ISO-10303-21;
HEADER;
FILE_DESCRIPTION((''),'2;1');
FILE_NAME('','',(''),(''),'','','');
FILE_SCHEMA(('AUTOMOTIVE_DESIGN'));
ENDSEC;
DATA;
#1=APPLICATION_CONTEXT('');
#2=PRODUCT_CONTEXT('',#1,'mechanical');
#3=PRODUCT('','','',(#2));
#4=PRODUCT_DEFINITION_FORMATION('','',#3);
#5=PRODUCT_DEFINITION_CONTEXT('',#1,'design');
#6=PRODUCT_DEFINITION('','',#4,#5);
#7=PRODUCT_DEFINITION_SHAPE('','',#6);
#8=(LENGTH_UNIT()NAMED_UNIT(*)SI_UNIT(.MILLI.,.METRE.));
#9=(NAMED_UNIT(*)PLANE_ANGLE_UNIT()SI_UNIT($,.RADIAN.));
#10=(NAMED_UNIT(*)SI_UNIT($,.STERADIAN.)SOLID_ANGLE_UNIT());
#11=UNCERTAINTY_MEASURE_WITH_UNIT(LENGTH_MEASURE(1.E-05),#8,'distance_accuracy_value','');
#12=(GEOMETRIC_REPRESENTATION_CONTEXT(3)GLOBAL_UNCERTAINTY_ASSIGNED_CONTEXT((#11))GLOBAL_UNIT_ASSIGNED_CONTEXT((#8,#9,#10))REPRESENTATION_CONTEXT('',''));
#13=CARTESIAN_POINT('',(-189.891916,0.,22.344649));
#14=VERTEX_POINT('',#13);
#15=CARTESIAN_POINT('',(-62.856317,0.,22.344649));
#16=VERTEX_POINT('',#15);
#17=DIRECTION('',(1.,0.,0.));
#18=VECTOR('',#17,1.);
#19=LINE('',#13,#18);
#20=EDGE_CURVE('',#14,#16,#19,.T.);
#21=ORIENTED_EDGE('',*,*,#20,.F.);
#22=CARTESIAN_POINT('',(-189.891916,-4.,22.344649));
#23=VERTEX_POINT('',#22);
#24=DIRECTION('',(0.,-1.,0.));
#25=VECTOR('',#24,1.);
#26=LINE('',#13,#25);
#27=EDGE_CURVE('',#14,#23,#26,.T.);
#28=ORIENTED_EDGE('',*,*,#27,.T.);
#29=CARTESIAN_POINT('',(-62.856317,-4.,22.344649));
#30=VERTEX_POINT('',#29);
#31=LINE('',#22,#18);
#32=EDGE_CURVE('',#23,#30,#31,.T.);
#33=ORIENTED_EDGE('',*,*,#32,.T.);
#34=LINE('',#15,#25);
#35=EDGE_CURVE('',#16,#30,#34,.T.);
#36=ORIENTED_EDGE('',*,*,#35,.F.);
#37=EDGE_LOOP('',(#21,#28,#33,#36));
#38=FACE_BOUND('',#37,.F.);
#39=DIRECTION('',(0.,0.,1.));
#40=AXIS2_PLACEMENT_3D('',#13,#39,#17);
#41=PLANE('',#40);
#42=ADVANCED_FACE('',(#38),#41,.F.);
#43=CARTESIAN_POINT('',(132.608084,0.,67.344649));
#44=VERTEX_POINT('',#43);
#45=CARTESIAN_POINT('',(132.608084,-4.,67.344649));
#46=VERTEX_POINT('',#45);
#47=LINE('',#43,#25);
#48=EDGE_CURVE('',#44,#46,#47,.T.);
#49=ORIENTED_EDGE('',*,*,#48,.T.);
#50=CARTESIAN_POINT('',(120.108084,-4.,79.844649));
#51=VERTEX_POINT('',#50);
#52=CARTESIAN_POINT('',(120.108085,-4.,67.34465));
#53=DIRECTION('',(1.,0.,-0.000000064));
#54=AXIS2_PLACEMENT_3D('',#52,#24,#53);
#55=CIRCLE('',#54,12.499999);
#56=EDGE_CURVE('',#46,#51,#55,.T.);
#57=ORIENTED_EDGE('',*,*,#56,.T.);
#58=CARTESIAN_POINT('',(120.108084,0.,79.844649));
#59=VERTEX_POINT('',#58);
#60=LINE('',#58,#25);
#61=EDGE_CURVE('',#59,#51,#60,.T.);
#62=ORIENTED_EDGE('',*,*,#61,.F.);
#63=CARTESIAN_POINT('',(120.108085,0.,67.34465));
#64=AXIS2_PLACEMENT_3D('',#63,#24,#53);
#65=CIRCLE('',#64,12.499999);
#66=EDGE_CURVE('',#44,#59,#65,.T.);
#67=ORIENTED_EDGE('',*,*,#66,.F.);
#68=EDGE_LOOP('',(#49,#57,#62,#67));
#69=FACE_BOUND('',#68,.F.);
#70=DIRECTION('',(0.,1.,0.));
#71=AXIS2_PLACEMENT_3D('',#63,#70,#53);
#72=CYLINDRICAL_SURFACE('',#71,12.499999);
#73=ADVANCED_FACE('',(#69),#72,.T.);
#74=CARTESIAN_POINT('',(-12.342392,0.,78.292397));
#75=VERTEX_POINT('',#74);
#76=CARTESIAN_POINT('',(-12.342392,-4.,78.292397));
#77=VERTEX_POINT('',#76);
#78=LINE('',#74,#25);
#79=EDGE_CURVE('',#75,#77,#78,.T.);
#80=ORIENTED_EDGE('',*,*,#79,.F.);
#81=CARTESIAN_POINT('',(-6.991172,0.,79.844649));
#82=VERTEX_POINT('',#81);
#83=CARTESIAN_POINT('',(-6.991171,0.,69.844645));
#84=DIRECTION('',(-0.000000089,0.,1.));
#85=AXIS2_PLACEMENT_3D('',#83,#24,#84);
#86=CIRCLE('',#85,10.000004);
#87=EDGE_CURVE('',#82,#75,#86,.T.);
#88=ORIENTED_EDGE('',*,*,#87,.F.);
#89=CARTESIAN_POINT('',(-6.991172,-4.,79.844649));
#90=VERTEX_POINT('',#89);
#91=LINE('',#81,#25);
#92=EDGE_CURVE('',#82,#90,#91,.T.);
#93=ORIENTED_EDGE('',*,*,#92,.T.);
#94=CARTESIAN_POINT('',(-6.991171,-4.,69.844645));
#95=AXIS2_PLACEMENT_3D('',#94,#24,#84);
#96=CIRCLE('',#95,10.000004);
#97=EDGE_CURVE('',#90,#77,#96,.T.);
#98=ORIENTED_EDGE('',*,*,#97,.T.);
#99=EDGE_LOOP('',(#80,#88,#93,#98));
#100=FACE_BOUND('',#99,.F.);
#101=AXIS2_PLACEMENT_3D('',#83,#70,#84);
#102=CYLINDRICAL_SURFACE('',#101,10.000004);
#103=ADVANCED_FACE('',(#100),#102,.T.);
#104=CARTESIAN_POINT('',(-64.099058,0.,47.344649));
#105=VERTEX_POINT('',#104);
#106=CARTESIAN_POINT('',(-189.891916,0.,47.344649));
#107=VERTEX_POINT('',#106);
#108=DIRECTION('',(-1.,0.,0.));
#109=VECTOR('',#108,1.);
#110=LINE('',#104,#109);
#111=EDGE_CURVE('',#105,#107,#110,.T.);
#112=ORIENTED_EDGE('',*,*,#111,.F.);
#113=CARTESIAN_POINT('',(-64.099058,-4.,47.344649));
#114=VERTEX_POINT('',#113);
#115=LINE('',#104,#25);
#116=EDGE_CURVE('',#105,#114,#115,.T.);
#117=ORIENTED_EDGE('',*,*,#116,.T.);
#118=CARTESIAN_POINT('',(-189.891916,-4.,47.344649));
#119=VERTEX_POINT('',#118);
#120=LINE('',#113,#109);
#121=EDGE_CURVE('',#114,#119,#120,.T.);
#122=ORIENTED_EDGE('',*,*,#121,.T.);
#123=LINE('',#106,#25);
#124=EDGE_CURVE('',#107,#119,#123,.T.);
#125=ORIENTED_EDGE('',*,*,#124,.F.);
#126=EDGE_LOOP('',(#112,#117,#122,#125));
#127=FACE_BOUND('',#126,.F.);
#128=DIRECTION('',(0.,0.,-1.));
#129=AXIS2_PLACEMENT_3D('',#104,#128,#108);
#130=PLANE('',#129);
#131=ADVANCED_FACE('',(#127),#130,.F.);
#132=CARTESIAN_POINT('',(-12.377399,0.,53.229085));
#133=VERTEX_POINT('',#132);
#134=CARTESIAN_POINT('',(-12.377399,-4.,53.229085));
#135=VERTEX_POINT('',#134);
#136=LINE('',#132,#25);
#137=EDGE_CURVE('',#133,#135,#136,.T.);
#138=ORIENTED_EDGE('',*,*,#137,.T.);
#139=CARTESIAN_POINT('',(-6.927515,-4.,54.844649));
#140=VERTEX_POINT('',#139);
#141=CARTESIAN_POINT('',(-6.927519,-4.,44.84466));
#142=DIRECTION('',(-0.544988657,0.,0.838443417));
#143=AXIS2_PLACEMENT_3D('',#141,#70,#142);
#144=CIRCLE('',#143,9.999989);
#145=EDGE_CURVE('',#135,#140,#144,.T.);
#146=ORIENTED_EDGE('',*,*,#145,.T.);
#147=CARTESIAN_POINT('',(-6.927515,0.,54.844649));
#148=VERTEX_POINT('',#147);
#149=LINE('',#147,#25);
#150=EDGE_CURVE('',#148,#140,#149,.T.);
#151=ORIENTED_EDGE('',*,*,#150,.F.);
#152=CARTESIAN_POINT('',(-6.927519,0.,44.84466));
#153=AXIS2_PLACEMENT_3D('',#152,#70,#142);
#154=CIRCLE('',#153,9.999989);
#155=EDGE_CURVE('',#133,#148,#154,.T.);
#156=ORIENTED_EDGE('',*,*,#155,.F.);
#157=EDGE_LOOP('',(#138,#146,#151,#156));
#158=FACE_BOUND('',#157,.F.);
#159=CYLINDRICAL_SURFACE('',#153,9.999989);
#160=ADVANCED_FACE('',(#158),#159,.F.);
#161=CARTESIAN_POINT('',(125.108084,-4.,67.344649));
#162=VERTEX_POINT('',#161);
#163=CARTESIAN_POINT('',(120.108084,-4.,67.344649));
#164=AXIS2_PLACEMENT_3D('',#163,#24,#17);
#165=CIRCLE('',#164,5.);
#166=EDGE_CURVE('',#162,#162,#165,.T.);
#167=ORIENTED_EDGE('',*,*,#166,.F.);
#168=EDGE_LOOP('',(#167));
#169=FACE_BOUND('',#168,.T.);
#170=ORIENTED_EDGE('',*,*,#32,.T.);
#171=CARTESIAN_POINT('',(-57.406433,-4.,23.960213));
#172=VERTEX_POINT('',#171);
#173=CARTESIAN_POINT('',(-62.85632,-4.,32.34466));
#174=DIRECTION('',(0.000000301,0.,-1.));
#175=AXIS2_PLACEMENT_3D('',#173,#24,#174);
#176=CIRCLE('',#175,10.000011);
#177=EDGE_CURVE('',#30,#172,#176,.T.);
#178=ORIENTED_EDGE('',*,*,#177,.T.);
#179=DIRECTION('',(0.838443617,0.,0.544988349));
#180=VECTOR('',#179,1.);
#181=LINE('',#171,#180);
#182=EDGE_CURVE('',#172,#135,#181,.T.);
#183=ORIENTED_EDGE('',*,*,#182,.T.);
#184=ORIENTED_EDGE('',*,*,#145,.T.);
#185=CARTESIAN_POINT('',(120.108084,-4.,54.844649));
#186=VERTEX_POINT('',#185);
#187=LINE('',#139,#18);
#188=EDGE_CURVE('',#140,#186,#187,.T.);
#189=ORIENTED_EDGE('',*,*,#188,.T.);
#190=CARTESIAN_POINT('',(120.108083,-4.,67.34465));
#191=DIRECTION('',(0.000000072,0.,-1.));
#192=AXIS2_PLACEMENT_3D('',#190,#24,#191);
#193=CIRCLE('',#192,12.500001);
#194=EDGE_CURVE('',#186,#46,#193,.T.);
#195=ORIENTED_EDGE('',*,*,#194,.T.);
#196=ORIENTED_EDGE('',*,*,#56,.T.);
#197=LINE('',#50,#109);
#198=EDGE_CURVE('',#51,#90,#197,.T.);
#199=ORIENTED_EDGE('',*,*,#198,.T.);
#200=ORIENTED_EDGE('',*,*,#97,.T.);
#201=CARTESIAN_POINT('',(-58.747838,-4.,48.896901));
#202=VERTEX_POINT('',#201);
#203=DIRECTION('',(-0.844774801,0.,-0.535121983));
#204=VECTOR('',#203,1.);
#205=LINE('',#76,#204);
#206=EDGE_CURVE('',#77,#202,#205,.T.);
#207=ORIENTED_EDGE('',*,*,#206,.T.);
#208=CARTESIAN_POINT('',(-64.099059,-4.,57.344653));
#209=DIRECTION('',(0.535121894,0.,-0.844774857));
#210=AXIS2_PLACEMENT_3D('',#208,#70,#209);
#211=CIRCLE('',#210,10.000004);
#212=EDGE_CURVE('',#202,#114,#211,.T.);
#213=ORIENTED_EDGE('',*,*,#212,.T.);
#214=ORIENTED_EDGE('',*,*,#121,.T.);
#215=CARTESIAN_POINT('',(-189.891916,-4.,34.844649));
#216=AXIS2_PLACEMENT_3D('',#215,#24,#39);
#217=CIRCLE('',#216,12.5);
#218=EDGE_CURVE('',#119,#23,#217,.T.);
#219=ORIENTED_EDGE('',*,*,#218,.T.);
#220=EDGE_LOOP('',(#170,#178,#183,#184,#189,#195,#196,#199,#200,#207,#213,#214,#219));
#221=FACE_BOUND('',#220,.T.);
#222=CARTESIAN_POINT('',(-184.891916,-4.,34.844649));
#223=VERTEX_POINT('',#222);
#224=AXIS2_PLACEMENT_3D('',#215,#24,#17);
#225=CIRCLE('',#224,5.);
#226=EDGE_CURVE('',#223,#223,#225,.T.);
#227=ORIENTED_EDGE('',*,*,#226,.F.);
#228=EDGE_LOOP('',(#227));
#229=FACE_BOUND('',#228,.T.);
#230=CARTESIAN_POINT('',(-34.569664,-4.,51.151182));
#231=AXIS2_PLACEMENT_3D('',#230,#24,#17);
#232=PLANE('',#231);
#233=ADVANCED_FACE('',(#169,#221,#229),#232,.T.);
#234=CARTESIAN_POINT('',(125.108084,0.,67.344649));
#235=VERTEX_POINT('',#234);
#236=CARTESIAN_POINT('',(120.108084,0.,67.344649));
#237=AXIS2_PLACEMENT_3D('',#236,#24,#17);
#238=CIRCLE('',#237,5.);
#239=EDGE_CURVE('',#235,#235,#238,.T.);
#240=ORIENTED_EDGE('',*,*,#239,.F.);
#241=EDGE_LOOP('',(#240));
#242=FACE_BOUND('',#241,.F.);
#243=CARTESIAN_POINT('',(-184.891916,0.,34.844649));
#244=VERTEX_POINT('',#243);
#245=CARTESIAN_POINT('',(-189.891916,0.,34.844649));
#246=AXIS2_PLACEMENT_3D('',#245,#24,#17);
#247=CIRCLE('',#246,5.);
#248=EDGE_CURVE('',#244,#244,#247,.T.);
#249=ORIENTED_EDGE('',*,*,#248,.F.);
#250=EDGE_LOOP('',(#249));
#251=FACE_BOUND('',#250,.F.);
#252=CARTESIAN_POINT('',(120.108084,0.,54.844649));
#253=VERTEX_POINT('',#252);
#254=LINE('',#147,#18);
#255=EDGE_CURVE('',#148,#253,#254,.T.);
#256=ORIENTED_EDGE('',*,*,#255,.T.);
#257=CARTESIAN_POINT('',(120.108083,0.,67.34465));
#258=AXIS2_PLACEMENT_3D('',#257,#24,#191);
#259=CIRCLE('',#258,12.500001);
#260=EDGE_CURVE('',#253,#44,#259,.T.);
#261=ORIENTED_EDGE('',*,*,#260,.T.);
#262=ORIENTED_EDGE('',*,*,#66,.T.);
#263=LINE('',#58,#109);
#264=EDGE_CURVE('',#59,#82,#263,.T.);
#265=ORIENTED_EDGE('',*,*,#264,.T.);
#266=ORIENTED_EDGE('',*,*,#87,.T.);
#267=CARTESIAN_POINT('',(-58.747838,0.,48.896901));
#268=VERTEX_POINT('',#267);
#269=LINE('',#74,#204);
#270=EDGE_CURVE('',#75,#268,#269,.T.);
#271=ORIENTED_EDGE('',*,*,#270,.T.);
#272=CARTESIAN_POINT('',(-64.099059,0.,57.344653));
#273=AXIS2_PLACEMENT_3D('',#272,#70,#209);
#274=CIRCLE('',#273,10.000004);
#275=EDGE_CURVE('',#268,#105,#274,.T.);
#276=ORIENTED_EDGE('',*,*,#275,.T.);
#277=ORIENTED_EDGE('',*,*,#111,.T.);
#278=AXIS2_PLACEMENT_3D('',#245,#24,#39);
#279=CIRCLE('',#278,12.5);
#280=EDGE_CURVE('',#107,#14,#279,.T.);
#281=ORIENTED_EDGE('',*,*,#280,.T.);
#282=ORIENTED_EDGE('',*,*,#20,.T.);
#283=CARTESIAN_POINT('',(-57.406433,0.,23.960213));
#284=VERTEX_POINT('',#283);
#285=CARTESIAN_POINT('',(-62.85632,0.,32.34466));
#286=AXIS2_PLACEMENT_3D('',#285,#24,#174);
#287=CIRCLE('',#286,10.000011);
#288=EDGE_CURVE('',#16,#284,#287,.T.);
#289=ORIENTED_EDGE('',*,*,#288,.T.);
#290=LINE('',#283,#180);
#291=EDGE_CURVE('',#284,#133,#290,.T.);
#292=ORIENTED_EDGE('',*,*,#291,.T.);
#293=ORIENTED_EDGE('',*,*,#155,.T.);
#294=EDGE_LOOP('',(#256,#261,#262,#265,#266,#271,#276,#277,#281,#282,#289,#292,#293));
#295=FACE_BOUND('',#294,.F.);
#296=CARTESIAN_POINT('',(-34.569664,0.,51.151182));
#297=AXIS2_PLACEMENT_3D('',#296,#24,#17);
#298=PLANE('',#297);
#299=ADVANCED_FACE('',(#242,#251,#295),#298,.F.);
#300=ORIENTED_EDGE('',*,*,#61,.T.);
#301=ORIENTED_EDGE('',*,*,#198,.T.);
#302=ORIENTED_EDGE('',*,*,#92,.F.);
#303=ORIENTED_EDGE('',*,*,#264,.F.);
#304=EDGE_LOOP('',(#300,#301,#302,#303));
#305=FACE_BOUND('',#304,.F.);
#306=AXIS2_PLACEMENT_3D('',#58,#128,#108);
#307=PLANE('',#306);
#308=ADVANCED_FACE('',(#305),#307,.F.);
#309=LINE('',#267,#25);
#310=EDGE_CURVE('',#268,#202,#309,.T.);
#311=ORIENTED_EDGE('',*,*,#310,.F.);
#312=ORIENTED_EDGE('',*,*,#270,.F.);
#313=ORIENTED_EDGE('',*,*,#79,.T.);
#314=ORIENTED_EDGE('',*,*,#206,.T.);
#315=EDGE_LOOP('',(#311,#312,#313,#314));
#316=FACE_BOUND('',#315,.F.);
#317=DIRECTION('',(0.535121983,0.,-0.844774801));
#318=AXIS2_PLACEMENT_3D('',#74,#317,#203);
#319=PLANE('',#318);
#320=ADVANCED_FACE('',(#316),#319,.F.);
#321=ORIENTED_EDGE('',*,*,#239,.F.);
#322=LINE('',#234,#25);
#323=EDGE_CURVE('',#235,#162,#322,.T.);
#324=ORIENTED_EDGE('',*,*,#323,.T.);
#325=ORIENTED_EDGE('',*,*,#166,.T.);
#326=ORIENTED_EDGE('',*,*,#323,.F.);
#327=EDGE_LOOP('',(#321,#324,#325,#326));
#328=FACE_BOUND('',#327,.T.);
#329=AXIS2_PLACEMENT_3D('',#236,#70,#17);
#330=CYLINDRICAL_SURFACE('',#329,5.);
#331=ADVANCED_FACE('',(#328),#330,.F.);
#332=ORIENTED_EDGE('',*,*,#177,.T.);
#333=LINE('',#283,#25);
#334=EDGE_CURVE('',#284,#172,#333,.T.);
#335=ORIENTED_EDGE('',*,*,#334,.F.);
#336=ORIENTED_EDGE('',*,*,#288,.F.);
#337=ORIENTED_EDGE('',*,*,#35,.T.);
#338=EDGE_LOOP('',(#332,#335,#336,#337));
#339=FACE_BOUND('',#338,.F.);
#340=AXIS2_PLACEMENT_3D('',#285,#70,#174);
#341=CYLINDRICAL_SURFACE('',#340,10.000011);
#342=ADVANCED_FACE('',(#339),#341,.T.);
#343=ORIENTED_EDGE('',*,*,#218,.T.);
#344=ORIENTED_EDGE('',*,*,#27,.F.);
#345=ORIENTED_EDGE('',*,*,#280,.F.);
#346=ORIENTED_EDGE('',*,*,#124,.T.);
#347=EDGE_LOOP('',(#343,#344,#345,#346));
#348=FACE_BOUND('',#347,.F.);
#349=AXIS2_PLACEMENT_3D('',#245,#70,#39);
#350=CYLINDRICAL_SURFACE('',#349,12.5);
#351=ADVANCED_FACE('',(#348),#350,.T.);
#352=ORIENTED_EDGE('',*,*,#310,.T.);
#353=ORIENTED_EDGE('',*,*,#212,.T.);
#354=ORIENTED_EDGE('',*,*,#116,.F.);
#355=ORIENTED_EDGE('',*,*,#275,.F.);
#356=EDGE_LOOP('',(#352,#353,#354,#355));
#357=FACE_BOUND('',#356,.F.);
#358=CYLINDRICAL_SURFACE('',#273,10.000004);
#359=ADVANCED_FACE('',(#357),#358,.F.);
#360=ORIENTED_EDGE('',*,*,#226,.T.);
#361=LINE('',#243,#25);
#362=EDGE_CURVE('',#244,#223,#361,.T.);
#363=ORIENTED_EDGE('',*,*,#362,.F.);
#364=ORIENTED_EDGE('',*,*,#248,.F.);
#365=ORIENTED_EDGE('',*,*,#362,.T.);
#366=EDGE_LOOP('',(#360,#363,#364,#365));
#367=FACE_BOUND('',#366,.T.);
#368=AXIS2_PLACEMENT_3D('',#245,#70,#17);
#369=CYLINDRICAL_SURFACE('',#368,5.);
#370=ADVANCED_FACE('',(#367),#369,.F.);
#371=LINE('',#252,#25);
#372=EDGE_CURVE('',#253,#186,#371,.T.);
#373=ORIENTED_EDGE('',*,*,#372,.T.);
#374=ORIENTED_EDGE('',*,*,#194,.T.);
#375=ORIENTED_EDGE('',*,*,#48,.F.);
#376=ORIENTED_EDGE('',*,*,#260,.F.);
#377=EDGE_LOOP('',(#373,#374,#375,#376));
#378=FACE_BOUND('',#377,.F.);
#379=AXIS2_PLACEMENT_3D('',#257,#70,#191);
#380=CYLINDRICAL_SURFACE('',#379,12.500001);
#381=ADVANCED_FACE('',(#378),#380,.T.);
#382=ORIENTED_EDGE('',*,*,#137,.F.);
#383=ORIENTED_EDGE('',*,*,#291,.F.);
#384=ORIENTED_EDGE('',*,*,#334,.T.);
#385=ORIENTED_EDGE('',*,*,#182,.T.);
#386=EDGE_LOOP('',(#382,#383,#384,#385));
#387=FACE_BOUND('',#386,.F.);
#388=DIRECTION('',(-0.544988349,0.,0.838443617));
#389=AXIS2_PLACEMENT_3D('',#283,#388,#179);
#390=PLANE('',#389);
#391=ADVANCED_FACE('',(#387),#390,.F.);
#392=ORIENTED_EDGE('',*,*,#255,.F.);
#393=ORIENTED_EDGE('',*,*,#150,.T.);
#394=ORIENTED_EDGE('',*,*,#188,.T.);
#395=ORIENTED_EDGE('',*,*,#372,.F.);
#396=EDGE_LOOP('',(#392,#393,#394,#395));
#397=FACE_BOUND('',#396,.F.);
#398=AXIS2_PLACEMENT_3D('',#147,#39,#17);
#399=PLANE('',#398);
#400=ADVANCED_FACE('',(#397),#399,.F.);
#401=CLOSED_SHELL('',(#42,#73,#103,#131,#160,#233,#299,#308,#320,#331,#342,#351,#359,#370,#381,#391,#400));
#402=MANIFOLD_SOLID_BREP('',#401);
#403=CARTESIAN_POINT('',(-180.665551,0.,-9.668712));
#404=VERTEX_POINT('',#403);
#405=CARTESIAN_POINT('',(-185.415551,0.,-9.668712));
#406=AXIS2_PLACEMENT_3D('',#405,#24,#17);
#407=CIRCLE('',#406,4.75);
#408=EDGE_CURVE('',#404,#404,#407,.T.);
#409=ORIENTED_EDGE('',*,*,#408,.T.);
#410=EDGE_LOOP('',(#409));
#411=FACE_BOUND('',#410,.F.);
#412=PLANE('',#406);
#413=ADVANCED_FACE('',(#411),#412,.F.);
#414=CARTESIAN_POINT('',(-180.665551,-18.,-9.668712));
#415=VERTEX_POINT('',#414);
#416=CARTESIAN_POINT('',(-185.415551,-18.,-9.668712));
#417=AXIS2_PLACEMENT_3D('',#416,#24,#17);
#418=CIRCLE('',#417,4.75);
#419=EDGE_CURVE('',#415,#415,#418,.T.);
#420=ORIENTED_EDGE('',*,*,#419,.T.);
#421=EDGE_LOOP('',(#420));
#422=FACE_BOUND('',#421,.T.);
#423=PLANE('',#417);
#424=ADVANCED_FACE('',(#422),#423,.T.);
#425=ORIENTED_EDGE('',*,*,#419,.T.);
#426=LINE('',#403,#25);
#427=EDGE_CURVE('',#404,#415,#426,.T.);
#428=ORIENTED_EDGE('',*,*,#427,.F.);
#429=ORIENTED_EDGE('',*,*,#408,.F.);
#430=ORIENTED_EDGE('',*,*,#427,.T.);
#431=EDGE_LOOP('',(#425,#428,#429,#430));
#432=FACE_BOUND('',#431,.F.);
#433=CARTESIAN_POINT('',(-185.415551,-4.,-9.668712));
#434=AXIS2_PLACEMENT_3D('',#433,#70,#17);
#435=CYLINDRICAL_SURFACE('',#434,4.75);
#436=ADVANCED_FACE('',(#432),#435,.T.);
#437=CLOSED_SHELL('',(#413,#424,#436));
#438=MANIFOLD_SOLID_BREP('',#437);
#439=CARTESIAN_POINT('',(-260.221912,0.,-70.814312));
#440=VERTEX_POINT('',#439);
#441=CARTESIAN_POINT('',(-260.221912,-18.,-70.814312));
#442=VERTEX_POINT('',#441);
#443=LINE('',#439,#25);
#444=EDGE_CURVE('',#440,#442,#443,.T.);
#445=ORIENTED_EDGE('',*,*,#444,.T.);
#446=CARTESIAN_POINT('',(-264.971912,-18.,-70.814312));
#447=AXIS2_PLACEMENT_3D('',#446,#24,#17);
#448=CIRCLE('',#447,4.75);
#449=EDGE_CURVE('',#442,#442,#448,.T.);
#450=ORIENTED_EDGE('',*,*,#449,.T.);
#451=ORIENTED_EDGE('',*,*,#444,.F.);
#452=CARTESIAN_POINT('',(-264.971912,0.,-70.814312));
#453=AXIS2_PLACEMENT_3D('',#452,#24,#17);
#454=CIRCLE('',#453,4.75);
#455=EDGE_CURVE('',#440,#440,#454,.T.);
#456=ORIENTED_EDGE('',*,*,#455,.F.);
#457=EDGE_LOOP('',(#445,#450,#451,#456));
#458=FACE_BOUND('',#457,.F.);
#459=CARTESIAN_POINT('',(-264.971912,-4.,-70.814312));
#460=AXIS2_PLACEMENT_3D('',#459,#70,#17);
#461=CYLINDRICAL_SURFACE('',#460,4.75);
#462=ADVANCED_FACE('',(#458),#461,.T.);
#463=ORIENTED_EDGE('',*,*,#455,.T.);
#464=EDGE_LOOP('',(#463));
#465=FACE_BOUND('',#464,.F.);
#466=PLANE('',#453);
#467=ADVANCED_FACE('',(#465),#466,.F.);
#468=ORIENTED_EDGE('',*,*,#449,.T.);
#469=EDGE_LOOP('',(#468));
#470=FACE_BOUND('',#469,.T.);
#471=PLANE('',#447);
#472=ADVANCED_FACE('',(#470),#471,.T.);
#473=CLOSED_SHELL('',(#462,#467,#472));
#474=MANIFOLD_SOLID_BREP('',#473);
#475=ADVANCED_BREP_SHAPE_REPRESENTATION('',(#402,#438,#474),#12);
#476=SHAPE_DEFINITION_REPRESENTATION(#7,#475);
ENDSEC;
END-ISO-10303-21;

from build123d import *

# Parameters (mm, degrees)
F0_R      = 5
F0_R_2    = 4.75
F1_DEPTH  = 4
F1_FACE_R = 4.75
F2_DEPTH  = 14
F3_DEPTH  = 14


with BuildPart() as f1:
    # F0 (on Front) → F1 (new body)
    with BuildSketch(Plane.XZ):
        with BuildLine():
            Line((-189.891916, 22.344649), (-62.856317, 22.344649))
            ThreePointArc((-62.856317, 22.344649), (-60.014166, 22.757044), (-57.406433, 23.960213))
            Line((-57.406433, 23.960213), (-12.377399, 53.229085))
            ThreePointArc((-12.377399, 53.229085), (-9.769666, 54.432255), (-6.927515, 54.844649))
            Line((-6.927515, 54.844649), (120.108084, 54.844649))
            ThreePointArc((120.108084, 54.844649), (128.946919, 58.505815), (132.608084, 67.344649))
            ThreePointArc((132.608084, 67.344649), (128.946919, 76.183484), (120.108084, 79.844649))
            Line((120.108084, 79.844649), (-6.991172, 79.844649))
            ThreePointArc((-6.991172, 79.844649), (-9.777076, 79.448749), (-12.342392, 78.292397))
            Line((-12.342392, 78.292397), (-58.747838, 48.896901))
            ThreePointArc((-58.747838, 48.896901), (-61.313154, 47.740549), (-64.099058, 47.344649))
            Line((-64.099058, 47.344649), (-172.616858, 47.344649))
            Line((-172.616858, 47.344649), (-189.891916, 47.344649))
            ThreePointArc((-189.891916, 47.344649), (-202.391916, 34.844649), (-189.891916, 22.344649))
        make_face()
        with Locations((-189.891916, 34.844649)):
            Circle(F0_R, mode=Mode.SUBTRACT)
        with Locations((120.108084, 67.344649)):
            Circle(F0_R, mode=Mode.SUBTRACT)
        with Locations((-185.415551, -9.668712)):
            Circle(F0_R_2)
        with Locations((-264.971912, -70.814312)):
            Circle(F0_R_2)
    extrude(amount=F1_DEPTH)

    # F1_face (on face) → F2 (join)
    with BuildSketch(Plane(origin=(-185.415551, -4, -9.668712), x_dir=(1, 0, 0), z_dir=(0, -1, 0))):
        Circle(F1_FACE_R)
    extrude(amount=F2_DEPTH)

    # F1_face (on face) → F3 (join)
    with BuildSketch(Plane(origin=(-185.415551, -4, -9.668712), x_dir=(1, 0, 0), z_dir=(0, -1, 0))):
        with Locations((-79.556361, -61.1456)):
            Circle(F1_FACE_R)
    extrude(amount=F3_DEPTH)


solid = f1.part
